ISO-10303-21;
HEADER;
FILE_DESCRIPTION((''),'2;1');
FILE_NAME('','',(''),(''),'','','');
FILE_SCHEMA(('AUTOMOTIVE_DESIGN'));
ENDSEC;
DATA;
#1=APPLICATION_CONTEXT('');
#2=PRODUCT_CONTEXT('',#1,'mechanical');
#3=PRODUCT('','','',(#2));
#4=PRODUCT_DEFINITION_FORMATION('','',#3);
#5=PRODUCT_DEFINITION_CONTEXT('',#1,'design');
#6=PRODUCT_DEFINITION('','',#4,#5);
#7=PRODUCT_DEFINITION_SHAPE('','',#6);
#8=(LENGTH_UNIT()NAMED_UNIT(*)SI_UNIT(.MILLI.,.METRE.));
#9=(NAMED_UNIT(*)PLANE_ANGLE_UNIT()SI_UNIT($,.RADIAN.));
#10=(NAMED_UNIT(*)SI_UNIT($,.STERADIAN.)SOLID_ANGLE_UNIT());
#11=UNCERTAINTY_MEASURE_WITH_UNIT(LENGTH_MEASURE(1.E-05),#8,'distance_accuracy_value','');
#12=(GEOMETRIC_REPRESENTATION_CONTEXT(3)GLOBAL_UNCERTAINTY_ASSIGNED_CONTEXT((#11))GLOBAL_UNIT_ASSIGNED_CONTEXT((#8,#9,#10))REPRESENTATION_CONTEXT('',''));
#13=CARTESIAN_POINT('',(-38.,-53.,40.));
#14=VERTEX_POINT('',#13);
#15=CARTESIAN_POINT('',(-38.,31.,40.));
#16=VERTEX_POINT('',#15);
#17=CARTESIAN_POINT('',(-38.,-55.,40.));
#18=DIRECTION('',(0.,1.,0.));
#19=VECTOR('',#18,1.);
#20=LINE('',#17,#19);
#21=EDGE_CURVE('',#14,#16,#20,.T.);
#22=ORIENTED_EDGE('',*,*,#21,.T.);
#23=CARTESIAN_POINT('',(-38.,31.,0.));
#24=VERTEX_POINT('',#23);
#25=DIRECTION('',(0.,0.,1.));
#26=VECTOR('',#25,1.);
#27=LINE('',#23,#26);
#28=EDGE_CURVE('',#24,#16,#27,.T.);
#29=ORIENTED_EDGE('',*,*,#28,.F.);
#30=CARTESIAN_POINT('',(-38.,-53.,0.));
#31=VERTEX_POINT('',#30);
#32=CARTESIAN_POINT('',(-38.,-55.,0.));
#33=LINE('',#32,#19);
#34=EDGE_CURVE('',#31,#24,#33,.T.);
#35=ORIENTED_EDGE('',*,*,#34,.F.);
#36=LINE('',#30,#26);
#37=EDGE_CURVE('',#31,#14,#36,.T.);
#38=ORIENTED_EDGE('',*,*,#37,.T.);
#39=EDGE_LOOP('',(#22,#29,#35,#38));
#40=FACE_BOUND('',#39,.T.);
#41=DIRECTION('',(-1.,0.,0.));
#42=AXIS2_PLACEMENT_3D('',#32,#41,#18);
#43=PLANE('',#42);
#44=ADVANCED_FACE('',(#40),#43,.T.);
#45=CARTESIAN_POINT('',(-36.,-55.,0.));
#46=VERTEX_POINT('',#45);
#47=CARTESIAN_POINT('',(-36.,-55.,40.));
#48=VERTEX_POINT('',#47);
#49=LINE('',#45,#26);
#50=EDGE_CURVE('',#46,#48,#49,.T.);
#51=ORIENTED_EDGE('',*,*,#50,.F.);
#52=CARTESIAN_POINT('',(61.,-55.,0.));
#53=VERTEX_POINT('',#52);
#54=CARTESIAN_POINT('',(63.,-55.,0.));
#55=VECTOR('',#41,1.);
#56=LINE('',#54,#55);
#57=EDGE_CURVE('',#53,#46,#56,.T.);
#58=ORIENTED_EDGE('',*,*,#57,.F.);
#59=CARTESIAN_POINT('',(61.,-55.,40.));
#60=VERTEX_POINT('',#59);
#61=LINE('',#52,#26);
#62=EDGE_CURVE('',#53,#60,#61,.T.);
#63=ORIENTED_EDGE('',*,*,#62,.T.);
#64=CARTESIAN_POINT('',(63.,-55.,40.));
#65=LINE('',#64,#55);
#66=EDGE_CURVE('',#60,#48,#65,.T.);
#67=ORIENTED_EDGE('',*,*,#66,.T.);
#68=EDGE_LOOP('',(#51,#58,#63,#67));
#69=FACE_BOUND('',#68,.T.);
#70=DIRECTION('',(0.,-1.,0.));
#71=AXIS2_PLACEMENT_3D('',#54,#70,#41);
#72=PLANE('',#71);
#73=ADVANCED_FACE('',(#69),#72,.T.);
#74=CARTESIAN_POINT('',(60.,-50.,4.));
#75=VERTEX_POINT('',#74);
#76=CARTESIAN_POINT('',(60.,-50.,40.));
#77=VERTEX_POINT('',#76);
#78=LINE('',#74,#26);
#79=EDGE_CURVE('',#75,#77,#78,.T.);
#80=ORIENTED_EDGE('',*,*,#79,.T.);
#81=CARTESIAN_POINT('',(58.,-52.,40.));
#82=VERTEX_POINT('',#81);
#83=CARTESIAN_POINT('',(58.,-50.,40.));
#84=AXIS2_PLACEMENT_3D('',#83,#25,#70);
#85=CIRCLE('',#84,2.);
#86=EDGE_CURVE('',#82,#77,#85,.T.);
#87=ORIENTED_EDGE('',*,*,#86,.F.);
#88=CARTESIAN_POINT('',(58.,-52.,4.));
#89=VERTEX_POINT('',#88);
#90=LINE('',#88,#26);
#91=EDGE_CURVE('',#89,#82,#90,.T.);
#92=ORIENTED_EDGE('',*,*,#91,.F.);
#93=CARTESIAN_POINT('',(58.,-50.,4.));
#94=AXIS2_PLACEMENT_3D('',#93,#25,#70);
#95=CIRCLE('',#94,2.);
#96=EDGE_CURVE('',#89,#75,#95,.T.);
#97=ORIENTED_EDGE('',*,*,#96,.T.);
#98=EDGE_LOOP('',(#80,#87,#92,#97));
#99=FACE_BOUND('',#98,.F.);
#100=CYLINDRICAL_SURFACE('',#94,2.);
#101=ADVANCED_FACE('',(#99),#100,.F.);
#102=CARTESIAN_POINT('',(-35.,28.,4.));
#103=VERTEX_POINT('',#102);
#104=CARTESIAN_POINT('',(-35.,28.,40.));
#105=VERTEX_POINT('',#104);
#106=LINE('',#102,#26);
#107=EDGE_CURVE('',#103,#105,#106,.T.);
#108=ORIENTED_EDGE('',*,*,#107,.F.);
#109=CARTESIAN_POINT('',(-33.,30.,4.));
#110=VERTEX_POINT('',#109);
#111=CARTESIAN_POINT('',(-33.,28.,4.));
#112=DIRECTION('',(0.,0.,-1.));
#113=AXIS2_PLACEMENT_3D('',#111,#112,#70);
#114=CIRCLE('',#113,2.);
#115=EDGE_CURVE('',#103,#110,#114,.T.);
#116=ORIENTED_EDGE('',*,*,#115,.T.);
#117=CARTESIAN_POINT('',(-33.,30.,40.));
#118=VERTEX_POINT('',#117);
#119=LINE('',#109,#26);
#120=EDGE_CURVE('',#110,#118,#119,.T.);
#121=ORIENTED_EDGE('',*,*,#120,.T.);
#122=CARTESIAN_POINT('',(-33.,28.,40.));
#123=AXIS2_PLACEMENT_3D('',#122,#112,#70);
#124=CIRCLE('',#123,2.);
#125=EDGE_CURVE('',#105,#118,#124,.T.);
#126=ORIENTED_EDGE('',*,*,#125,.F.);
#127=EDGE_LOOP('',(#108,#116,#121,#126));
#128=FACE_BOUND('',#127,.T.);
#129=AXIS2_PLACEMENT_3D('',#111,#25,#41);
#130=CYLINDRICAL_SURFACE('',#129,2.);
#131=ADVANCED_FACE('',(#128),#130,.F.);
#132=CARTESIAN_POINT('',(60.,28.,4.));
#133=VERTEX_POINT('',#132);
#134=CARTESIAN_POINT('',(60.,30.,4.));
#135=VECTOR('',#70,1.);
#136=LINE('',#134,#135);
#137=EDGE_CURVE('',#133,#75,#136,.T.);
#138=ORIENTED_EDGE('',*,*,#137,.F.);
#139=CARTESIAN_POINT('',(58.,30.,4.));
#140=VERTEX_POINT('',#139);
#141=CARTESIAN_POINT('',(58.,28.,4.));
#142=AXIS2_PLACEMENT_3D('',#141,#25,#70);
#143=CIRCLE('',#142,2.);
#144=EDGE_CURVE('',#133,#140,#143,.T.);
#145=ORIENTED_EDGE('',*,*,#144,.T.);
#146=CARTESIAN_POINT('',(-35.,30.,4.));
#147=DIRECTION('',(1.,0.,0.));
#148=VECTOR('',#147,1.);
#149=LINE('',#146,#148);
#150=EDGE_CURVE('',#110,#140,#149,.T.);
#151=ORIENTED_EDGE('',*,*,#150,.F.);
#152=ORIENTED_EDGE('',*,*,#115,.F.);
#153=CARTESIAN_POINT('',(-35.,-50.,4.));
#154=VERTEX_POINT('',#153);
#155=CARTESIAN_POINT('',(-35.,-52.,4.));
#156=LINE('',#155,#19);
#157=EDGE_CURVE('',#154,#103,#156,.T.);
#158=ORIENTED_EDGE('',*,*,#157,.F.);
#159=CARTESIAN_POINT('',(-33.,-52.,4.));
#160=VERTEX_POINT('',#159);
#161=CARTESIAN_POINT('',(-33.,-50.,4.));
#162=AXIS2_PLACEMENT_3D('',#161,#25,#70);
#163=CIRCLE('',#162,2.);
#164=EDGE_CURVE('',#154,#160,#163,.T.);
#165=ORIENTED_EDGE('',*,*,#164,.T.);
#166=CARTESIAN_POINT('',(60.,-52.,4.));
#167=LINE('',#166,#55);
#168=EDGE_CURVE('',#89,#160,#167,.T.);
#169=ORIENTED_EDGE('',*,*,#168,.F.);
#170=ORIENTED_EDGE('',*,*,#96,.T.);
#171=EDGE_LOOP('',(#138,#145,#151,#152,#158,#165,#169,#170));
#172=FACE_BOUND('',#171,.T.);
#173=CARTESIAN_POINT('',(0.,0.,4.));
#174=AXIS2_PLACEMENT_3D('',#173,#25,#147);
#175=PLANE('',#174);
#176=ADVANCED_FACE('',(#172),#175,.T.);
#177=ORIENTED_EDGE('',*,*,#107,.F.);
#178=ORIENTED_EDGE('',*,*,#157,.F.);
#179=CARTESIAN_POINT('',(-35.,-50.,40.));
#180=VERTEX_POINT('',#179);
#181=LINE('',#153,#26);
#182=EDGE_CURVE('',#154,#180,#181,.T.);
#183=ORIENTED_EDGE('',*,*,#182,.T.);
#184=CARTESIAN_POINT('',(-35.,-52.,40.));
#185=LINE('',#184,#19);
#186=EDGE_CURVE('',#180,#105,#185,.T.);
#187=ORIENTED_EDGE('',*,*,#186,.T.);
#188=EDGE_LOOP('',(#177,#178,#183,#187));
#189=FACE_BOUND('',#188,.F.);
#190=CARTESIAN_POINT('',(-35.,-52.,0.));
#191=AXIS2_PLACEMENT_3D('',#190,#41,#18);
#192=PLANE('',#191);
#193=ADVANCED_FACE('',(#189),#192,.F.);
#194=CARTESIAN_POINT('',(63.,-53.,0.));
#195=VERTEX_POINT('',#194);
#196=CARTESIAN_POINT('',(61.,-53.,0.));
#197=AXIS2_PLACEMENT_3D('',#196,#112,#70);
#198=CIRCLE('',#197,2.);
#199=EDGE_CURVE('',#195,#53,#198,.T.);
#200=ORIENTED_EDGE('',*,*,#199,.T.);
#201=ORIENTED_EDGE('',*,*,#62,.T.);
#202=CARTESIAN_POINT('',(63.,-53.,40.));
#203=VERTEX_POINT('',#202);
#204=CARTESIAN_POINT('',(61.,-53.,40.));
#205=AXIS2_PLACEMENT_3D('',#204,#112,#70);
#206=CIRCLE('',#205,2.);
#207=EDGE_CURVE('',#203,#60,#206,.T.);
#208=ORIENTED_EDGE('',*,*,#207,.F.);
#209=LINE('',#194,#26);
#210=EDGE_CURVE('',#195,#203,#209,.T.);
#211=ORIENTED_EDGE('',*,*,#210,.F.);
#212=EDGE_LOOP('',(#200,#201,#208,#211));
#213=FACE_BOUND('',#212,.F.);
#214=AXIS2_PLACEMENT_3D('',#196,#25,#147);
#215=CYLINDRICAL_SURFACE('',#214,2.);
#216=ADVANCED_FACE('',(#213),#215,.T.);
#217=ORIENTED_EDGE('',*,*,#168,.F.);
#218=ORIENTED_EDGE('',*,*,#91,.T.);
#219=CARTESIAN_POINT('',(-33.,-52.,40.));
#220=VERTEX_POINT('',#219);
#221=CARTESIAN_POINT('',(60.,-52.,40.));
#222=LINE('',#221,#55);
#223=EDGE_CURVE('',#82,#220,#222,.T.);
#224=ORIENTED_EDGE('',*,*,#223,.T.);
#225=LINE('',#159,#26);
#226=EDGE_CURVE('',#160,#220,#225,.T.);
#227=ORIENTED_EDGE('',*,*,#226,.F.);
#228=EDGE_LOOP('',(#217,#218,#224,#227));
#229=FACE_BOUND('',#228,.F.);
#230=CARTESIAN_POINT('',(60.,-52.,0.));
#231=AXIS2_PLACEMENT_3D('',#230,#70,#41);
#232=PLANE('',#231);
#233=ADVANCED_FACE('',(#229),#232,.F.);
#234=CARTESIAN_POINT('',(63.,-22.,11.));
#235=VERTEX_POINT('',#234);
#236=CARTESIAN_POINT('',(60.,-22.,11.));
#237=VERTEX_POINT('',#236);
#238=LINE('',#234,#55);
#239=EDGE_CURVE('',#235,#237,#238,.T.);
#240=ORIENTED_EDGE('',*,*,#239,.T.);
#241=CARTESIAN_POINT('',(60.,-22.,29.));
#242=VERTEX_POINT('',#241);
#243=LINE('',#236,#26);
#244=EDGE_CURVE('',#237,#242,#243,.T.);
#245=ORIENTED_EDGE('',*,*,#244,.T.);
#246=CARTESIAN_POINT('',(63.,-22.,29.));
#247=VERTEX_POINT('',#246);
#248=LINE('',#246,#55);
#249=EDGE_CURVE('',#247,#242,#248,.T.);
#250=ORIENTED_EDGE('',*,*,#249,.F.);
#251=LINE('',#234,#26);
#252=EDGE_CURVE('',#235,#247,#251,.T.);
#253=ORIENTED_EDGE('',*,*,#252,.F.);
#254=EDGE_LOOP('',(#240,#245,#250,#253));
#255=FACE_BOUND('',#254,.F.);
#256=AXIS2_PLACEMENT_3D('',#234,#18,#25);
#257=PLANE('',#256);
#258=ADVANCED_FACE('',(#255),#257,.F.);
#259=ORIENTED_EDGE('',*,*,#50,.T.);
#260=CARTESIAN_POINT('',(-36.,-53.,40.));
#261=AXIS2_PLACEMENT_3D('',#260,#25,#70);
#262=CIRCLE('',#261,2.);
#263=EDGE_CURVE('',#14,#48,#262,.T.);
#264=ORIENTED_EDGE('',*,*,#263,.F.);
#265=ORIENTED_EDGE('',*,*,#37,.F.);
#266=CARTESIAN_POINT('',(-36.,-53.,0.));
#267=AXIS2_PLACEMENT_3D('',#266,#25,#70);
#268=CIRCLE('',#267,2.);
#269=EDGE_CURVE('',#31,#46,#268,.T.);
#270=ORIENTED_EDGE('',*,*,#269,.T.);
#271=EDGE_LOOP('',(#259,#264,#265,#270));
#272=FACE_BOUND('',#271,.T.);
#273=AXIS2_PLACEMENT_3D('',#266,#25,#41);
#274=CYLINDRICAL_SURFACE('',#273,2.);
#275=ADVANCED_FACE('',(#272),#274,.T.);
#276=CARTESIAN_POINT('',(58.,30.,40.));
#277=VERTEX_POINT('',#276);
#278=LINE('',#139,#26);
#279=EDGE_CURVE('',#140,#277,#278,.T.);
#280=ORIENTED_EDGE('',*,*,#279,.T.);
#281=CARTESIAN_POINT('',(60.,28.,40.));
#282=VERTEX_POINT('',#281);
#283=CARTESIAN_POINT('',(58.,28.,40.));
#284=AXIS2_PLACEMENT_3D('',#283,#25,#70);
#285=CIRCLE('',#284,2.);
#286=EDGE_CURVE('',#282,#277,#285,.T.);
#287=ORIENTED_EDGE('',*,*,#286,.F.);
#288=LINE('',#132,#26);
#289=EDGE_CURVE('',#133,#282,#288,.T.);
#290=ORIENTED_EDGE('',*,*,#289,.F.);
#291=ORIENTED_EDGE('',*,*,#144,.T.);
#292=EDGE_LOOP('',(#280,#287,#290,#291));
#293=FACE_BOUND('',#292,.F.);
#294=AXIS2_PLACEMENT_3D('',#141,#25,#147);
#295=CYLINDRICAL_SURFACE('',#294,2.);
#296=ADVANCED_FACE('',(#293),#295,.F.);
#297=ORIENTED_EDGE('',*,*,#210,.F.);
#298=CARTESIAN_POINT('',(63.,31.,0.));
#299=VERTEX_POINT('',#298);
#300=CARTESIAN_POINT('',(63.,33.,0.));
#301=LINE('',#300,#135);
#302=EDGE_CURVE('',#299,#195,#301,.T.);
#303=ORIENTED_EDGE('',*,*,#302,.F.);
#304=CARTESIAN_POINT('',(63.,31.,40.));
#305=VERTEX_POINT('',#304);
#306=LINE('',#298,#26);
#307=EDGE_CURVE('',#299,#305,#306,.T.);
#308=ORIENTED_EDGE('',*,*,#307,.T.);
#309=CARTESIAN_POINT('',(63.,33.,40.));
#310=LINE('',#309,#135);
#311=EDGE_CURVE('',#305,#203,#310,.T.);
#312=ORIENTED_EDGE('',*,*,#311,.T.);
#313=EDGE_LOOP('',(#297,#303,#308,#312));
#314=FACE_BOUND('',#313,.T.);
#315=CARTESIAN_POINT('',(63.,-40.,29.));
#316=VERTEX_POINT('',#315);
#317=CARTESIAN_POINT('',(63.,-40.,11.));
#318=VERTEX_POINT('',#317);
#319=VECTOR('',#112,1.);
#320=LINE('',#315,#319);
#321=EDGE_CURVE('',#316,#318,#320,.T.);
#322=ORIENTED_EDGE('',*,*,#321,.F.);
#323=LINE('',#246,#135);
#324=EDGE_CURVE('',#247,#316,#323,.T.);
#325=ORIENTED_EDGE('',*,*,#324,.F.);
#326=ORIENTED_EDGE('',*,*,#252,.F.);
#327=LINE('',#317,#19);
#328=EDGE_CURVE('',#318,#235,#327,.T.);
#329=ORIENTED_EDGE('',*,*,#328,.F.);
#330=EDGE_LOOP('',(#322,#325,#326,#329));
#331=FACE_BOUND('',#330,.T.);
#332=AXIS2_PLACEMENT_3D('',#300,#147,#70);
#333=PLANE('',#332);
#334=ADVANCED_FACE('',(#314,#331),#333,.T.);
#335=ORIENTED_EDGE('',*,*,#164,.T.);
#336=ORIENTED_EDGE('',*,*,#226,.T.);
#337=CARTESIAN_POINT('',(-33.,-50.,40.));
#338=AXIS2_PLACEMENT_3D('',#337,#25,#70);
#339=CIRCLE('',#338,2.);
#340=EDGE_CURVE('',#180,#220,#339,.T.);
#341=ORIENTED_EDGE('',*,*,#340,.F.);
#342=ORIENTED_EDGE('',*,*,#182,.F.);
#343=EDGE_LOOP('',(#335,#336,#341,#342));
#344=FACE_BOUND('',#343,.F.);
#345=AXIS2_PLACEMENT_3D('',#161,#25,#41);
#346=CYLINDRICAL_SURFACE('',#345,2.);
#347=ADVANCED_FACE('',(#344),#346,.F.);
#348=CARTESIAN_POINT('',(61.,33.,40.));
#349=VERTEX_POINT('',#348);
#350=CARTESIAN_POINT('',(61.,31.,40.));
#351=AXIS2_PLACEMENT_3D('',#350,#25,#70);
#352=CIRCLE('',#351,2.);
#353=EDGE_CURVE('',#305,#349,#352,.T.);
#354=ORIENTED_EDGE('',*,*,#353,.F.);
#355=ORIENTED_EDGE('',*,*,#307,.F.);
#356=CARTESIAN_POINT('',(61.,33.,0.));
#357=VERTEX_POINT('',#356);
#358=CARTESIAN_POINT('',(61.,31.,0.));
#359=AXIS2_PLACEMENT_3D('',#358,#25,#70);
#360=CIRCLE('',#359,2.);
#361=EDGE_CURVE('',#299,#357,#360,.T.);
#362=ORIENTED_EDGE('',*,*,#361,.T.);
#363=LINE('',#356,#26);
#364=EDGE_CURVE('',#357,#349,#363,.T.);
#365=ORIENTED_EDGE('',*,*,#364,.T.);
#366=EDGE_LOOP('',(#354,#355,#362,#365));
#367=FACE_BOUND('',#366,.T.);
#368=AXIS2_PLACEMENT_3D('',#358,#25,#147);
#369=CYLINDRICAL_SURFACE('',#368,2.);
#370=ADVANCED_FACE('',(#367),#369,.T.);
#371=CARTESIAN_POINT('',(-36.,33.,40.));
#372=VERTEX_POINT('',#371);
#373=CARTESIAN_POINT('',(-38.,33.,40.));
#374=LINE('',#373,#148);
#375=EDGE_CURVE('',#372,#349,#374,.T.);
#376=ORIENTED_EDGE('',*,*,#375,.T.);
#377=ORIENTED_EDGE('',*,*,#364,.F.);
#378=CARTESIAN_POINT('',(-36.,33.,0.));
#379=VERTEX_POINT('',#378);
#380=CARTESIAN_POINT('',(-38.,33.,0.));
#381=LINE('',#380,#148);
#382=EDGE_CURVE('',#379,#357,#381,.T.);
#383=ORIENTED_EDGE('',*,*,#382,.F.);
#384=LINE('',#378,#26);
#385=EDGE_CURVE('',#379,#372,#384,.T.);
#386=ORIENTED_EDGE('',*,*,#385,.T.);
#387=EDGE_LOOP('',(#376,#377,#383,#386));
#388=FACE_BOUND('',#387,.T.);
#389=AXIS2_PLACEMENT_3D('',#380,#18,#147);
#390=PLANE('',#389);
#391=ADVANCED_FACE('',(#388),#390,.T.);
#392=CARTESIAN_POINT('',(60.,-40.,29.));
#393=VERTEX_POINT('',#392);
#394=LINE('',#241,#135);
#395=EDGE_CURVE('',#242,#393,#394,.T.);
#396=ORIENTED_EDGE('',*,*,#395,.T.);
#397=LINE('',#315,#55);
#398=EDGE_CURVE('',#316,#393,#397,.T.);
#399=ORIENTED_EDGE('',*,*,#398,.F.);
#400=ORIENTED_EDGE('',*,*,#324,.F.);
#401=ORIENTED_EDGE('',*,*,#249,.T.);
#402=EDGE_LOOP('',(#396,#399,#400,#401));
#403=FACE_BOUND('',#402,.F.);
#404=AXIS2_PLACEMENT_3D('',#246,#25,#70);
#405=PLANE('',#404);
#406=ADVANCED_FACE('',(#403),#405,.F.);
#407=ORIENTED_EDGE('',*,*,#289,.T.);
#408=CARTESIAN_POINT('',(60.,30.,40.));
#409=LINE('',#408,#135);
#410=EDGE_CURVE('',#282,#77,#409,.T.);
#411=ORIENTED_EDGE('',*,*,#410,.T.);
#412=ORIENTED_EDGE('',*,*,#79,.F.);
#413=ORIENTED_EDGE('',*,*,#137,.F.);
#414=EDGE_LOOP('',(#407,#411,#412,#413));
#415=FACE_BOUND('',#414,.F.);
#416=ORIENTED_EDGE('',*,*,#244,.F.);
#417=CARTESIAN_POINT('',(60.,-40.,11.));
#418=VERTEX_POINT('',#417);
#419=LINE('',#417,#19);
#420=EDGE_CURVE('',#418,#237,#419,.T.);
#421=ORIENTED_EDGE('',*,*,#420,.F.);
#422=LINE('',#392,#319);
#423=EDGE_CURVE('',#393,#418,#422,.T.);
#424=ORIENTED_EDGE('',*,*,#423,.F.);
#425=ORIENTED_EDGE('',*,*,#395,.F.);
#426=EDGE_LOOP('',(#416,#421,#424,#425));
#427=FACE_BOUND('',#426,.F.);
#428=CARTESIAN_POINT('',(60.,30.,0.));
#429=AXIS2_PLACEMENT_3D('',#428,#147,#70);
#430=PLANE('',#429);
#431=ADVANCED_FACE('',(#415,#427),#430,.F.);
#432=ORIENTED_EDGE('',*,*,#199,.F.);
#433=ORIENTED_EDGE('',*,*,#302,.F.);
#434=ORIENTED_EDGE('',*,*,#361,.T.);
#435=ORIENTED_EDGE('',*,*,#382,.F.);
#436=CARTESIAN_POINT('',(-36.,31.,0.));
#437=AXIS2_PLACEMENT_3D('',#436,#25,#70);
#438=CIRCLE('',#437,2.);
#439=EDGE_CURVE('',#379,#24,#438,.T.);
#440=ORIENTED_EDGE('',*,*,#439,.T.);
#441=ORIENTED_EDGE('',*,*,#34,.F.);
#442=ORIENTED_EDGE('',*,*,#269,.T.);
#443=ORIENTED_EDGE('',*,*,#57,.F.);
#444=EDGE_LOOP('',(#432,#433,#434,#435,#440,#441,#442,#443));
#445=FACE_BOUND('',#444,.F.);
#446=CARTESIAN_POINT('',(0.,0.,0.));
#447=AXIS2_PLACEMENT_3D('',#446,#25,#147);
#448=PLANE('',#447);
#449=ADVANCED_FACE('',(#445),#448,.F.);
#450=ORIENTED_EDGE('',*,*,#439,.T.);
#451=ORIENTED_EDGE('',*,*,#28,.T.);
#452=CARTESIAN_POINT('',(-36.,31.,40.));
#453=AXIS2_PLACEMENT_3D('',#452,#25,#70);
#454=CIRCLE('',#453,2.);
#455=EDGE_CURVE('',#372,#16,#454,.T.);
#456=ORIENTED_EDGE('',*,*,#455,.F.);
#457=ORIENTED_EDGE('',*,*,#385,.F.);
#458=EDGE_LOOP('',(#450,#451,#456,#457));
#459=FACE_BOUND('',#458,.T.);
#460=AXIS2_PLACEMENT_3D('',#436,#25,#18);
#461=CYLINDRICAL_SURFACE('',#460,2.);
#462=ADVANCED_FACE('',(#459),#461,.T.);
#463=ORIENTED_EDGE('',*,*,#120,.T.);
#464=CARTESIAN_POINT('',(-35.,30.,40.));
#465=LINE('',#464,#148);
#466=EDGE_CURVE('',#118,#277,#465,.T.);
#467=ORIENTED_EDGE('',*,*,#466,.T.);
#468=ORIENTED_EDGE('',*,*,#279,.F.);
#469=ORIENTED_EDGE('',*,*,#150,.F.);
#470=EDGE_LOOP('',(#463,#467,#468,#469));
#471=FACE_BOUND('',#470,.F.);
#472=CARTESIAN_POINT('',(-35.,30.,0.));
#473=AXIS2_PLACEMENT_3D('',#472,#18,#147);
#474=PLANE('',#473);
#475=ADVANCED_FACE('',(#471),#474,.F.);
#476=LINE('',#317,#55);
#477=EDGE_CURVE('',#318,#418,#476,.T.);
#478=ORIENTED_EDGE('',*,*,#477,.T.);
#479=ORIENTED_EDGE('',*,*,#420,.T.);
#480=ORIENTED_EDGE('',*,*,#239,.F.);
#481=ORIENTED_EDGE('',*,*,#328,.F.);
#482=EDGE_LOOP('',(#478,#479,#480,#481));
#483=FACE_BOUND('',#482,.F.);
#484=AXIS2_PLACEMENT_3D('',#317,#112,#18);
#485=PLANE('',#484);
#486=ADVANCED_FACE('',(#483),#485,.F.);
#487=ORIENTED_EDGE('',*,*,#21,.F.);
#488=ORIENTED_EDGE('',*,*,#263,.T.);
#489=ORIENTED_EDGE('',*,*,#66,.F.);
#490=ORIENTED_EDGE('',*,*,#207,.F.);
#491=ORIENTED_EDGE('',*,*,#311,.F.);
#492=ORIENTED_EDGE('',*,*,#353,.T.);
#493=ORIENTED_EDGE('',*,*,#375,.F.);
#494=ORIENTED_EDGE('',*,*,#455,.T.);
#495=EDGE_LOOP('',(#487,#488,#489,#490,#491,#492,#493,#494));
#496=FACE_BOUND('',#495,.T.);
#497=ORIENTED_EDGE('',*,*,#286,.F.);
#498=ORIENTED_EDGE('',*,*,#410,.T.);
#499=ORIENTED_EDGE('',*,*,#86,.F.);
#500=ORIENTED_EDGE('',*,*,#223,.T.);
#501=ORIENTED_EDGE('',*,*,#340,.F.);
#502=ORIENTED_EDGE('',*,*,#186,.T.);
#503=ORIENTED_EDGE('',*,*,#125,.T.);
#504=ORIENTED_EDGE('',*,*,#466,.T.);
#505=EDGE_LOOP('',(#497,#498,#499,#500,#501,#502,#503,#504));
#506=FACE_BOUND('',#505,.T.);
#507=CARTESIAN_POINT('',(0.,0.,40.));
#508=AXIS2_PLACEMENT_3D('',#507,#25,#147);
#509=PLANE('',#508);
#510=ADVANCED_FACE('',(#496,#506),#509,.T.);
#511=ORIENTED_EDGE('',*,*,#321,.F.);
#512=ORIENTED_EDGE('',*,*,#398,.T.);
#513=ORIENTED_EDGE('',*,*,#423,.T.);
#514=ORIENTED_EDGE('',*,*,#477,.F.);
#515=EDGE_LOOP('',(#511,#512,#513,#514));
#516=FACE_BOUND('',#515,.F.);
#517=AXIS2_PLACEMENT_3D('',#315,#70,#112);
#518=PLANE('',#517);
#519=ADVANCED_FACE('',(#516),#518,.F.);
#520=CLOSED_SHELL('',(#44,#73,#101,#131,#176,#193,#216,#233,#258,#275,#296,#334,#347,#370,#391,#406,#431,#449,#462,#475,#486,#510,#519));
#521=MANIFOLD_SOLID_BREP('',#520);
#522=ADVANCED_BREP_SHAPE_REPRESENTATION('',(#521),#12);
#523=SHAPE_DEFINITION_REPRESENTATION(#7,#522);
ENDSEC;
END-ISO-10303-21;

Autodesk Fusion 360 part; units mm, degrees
sketch "Sketch1" plane through (0, 0, 0) normal (0, 0, 1) x (1, 0, 0)
  line L0 (-35, 30) -> (60, 30)
  line L1 (60, 30) -> (60, -52)
  line L2 (60, -52) -> (-35, -52)
  line L3 (-35, -52) -> (-35, 30)
  line L4 (-38, 33) -> (63, 33)
  line L5 (63, 33) -> (63, -55)
  line L6 (63, -55) -> (-38, -55)
  line L7 (-38, -55) -> (-38, 33)
  dimension "d1" = 82
  dimension "d2" = 95
  dimension "d3" = 3
  dimension "d4" = 3
  dimension "d5" = 3
  dimension "d6" = 3
extrude "Extrude1" add sketch "Sketch1" along normal blind 40
extrude "Extrude2" add sketch "Sketch1" along normal blind 4 contours L0 L1 L2 L3
sketch "Sketch2" plane through (63, 0, 0) normal (1, 0, 0) x (0, 1, 0)
  line L0 (-55, 0) -> (33, 0)
  line L1 (33, 0) -> (33, 40)
  line L2 (33, 40) -> (-55, 40)
  line L3 (-55, 40) -> (-55, 0)
  line L4 (-22, 29) -> (-40, 29)
  line L5 (-40, 29) -> (-40, 11)
  line L6 (-40, 11) -> (-22, 11)
  line L7 (-22, 11) -> (-22, 29)
  line L8 (-22, 29) -> (-40, 11) construction
  line L9 (-40, 29) -> (-22, 11) construction
  point P0 (-31, 20)
  dimension "d11" = 18
  dimension "d12" = 18
  dimension "d13" = 15
  dimension "d14" = 11
extrude "Extrude3" cut sketch "Sketch2" against normal blind 3 contours L4 L5 L6 L7
fillet "Fillet1" radius 2 1 edges at (63, -55, 20)
fillet "Fillet2" radius 2 1 edges at (63, 33, 20)
fillet "Fillet3" radius 2 1 edges at (-38, 33, 20)
fillet "Fillet4" radius 2 1 edges at (-38, -55, 20)
fillet "Fillet5" radius 2 1 edges at (-35, 30, 22)
fillet "Fillet6" radius 2 1 edges at (-35, -52, 22)
fillet "Fillet7" radius 2 1 edges at (60, -52, 22)
fillet "Fillet8" radius 2 1 edges at (60, 30, 22)
